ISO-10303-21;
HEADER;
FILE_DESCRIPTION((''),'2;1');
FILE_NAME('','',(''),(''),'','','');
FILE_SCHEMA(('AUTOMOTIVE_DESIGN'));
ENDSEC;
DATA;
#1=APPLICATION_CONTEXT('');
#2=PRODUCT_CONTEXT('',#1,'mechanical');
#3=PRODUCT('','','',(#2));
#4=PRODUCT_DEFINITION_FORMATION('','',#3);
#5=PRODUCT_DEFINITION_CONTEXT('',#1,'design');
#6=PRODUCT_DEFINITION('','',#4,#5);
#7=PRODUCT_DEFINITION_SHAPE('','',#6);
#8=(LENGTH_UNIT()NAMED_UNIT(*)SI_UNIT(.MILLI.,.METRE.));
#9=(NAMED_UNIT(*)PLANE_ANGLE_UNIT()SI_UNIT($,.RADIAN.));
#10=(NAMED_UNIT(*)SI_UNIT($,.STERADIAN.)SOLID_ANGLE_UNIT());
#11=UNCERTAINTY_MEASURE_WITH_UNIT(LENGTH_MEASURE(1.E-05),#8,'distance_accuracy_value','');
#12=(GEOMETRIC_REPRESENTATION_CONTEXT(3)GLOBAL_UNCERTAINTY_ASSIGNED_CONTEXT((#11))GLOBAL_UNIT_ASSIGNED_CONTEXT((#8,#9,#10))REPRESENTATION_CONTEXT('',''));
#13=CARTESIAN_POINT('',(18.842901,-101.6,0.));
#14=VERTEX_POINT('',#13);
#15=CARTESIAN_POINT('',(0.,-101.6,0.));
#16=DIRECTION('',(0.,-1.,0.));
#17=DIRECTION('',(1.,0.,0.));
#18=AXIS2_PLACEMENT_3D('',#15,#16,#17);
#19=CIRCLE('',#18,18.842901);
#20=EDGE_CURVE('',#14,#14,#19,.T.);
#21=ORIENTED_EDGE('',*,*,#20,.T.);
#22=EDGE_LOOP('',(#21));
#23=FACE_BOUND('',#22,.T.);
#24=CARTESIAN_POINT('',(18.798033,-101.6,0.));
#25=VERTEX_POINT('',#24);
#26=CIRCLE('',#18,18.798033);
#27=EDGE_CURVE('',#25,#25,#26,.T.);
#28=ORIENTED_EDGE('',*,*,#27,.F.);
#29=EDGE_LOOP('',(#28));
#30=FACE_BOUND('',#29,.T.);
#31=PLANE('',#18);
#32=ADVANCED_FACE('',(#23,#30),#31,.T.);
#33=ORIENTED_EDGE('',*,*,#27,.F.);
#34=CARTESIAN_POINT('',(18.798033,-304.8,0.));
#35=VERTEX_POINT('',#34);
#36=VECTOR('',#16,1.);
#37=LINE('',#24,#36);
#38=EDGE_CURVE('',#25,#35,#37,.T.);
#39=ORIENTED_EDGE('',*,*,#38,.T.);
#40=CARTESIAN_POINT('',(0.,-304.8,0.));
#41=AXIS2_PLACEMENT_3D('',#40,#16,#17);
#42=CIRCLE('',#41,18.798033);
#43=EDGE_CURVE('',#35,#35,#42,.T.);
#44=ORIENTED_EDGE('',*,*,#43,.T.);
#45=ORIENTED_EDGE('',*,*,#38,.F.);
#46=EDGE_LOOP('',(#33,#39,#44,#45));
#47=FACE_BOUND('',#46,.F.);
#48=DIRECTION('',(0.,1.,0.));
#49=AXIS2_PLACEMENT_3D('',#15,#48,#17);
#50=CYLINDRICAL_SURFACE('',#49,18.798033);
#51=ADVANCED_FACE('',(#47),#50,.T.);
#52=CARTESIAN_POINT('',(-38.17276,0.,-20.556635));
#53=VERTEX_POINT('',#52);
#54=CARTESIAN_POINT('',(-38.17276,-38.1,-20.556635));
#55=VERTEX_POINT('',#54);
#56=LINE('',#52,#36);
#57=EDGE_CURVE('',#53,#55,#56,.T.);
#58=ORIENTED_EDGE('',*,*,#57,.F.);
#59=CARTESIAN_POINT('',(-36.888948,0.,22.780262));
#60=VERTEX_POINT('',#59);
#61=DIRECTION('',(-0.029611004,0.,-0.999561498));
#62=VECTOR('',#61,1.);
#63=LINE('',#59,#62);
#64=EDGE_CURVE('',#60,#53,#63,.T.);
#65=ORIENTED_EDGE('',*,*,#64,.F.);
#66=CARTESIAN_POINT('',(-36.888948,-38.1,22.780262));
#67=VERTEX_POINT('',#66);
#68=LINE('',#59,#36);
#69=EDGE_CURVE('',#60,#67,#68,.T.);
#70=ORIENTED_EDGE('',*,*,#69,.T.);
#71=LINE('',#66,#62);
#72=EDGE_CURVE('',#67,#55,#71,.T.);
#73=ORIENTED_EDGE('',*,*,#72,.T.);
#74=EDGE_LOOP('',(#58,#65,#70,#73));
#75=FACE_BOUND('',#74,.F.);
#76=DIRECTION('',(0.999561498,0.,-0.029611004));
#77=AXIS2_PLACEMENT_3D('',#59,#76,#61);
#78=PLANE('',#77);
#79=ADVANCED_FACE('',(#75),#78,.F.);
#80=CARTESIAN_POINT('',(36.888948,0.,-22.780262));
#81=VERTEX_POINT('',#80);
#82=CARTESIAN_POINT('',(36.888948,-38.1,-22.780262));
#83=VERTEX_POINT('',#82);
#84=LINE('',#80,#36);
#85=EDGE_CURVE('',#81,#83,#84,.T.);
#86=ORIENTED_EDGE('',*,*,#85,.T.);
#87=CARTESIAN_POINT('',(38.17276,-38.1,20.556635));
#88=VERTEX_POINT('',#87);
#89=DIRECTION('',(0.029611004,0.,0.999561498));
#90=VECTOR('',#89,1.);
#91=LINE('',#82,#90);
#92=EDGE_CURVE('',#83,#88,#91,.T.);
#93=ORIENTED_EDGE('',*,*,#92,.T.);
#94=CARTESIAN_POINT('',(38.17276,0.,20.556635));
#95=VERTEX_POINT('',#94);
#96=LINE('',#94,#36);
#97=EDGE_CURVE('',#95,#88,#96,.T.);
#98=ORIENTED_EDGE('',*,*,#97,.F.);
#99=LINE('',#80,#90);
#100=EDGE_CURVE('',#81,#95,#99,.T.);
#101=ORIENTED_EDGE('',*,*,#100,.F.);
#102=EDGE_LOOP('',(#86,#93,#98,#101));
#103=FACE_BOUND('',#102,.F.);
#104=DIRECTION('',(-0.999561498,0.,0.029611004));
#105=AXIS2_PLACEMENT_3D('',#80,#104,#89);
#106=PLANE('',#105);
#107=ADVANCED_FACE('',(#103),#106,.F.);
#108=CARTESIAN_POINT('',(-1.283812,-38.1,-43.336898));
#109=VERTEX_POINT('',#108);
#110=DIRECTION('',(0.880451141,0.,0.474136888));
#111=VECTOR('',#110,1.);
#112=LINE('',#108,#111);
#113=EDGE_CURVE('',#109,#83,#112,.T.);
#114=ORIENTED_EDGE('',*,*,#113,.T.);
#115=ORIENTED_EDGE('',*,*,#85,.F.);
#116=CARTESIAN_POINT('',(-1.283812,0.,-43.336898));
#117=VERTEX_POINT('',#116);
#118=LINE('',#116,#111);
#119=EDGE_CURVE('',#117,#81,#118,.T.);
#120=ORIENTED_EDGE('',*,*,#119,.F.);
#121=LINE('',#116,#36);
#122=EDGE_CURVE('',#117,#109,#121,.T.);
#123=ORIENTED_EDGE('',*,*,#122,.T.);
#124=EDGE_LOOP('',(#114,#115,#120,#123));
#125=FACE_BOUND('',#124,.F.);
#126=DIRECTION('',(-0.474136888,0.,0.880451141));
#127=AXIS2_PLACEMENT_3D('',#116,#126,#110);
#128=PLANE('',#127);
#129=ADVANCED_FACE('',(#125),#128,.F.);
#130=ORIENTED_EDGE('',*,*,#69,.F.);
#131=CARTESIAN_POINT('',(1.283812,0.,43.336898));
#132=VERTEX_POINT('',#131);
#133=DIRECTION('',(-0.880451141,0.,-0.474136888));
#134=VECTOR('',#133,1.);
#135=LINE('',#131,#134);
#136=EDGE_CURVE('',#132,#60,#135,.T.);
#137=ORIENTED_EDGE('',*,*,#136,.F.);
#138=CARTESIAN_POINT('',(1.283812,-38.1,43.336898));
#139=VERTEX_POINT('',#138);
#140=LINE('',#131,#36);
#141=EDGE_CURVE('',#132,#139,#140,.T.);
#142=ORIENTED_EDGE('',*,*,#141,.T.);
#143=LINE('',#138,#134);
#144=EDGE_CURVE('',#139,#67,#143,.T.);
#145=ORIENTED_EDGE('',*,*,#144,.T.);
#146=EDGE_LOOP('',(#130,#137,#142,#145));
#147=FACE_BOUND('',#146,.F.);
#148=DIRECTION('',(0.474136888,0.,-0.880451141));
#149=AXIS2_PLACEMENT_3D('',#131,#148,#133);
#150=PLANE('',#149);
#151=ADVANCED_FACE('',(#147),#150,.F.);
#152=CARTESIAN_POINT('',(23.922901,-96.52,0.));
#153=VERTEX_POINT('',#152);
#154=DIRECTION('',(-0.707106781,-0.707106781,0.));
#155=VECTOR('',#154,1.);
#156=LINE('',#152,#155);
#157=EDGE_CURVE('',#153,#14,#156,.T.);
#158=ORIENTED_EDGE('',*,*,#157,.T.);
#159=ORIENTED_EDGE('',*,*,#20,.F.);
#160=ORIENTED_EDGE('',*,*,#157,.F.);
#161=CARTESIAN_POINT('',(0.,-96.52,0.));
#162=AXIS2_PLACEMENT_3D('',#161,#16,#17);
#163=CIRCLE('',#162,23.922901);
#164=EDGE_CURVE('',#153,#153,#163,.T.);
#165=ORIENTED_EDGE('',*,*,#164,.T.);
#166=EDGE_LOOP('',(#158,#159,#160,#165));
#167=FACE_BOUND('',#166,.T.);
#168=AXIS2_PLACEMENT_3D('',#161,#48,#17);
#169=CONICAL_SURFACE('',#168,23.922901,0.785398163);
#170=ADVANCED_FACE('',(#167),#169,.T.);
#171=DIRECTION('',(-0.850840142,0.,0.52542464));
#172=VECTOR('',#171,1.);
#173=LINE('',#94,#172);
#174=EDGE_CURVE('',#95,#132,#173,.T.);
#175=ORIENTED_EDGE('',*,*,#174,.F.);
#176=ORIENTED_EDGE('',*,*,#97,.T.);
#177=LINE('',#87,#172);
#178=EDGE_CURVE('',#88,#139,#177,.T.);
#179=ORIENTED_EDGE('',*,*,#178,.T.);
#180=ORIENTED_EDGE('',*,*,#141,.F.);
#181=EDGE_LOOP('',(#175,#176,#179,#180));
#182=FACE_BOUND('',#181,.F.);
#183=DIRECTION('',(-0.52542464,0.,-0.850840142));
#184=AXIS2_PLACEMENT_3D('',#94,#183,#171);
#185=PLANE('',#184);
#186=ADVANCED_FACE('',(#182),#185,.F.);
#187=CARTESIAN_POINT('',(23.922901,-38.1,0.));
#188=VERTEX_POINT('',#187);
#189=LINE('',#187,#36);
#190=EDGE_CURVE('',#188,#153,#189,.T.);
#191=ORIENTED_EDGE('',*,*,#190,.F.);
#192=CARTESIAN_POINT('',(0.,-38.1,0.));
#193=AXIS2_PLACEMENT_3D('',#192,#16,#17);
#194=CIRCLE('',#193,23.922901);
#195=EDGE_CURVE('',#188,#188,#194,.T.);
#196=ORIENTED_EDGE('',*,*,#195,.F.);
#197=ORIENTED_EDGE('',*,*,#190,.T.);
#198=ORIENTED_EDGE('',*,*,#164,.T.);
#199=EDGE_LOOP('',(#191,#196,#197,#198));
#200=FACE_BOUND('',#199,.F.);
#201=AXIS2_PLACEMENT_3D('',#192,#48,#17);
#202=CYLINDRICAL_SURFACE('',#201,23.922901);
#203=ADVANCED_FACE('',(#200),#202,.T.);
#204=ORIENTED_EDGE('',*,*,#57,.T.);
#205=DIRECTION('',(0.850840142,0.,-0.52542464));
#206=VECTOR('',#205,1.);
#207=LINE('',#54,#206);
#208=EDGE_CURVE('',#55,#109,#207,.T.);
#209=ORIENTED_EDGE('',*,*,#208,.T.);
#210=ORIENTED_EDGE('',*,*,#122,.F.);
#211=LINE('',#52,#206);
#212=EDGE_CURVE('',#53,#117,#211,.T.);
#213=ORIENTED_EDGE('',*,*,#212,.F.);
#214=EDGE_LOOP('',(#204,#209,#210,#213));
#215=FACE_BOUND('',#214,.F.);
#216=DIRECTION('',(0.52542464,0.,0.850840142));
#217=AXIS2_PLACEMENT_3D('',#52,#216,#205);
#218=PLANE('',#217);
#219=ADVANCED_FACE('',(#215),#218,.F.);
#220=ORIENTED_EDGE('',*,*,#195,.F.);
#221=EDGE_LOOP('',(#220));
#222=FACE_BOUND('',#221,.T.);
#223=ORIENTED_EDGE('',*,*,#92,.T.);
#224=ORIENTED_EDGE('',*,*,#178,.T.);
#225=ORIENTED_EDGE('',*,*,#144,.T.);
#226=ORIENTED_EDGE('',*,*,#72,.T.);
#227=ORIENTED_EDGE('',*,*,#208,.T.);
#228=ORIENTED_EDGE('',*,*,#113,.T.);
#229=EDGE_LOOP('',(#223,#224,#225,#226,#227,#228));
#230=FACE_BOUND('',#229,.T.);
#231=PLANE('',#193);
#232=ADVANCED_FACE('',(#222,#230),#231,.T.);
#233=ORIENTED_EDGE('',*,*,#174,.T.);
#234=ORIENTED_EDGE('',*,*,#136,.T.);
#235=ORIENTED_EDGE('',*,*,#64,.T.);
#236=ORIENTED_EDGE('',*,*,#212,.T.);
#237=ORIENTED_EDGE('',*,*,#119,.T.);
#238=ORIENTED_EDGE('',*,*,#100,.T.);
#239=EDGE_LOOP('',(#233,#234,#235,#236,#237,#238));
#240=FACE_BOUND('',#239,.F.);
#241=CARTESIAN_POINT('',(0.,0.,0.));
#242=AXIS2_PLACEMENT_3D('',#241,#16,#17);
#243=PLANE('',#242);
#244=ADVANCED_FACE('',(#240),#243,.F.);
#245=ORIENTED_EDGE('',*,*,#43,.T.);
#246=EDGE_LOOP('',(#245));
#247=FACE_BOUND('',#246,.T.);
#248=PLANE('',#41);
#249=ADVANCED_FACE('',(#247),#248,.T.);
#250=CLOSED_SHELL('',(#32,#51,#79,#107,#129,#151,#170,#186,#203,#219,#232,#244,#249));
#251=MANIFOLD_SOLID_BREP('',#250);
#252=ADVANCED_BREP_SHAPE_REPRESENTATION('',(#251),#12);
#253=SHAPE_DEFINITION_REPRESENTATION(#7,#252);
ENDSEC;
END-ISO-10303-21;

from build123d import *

# Parameters (mm, degrees)
F1_DEPTH = 38.1
F2_R     = 23.922901
F3_DEPTH = 63.5
F4_SIZE  = 5.08
F5_R     = 18.798033
F6_DEPTH = 203.2


with BuildPart() as f1:
    # F0 (on Front) → F1 (new body)
    with BuildSketch(Plane.XZ):
        Polygon((1.283812, 43.336898), (-36.888948, 22.780262), (-38.17276, -20.556635), (-1.283812, -43.336898), (36.888948, -22.780262), (38.17276, 20.556635), align=None)
    extrude(amount=F1_DEPTH)

    # F2 (on face) → F3 (join)
    with BuildSketch(Plane.XZ.offset(38.1)):
        Circle(F2_R)
    extrude(amount=F3_DEPTH)

    # F4
    f4_edges = [f1.edges().sort_by_distance(p)[0] for p in [
        (-23.922901, -101.6, 0),
    ]]
    chamfer(f4_edges, length=F4_SIZE)

    # F5 (on face) → F6 (join)
    with BuildSketch(Plane.XZ.offset(101.6)):
        Circle(F5_R)
    extrude(amount=F6_DEPTH)


solid = f1.part
